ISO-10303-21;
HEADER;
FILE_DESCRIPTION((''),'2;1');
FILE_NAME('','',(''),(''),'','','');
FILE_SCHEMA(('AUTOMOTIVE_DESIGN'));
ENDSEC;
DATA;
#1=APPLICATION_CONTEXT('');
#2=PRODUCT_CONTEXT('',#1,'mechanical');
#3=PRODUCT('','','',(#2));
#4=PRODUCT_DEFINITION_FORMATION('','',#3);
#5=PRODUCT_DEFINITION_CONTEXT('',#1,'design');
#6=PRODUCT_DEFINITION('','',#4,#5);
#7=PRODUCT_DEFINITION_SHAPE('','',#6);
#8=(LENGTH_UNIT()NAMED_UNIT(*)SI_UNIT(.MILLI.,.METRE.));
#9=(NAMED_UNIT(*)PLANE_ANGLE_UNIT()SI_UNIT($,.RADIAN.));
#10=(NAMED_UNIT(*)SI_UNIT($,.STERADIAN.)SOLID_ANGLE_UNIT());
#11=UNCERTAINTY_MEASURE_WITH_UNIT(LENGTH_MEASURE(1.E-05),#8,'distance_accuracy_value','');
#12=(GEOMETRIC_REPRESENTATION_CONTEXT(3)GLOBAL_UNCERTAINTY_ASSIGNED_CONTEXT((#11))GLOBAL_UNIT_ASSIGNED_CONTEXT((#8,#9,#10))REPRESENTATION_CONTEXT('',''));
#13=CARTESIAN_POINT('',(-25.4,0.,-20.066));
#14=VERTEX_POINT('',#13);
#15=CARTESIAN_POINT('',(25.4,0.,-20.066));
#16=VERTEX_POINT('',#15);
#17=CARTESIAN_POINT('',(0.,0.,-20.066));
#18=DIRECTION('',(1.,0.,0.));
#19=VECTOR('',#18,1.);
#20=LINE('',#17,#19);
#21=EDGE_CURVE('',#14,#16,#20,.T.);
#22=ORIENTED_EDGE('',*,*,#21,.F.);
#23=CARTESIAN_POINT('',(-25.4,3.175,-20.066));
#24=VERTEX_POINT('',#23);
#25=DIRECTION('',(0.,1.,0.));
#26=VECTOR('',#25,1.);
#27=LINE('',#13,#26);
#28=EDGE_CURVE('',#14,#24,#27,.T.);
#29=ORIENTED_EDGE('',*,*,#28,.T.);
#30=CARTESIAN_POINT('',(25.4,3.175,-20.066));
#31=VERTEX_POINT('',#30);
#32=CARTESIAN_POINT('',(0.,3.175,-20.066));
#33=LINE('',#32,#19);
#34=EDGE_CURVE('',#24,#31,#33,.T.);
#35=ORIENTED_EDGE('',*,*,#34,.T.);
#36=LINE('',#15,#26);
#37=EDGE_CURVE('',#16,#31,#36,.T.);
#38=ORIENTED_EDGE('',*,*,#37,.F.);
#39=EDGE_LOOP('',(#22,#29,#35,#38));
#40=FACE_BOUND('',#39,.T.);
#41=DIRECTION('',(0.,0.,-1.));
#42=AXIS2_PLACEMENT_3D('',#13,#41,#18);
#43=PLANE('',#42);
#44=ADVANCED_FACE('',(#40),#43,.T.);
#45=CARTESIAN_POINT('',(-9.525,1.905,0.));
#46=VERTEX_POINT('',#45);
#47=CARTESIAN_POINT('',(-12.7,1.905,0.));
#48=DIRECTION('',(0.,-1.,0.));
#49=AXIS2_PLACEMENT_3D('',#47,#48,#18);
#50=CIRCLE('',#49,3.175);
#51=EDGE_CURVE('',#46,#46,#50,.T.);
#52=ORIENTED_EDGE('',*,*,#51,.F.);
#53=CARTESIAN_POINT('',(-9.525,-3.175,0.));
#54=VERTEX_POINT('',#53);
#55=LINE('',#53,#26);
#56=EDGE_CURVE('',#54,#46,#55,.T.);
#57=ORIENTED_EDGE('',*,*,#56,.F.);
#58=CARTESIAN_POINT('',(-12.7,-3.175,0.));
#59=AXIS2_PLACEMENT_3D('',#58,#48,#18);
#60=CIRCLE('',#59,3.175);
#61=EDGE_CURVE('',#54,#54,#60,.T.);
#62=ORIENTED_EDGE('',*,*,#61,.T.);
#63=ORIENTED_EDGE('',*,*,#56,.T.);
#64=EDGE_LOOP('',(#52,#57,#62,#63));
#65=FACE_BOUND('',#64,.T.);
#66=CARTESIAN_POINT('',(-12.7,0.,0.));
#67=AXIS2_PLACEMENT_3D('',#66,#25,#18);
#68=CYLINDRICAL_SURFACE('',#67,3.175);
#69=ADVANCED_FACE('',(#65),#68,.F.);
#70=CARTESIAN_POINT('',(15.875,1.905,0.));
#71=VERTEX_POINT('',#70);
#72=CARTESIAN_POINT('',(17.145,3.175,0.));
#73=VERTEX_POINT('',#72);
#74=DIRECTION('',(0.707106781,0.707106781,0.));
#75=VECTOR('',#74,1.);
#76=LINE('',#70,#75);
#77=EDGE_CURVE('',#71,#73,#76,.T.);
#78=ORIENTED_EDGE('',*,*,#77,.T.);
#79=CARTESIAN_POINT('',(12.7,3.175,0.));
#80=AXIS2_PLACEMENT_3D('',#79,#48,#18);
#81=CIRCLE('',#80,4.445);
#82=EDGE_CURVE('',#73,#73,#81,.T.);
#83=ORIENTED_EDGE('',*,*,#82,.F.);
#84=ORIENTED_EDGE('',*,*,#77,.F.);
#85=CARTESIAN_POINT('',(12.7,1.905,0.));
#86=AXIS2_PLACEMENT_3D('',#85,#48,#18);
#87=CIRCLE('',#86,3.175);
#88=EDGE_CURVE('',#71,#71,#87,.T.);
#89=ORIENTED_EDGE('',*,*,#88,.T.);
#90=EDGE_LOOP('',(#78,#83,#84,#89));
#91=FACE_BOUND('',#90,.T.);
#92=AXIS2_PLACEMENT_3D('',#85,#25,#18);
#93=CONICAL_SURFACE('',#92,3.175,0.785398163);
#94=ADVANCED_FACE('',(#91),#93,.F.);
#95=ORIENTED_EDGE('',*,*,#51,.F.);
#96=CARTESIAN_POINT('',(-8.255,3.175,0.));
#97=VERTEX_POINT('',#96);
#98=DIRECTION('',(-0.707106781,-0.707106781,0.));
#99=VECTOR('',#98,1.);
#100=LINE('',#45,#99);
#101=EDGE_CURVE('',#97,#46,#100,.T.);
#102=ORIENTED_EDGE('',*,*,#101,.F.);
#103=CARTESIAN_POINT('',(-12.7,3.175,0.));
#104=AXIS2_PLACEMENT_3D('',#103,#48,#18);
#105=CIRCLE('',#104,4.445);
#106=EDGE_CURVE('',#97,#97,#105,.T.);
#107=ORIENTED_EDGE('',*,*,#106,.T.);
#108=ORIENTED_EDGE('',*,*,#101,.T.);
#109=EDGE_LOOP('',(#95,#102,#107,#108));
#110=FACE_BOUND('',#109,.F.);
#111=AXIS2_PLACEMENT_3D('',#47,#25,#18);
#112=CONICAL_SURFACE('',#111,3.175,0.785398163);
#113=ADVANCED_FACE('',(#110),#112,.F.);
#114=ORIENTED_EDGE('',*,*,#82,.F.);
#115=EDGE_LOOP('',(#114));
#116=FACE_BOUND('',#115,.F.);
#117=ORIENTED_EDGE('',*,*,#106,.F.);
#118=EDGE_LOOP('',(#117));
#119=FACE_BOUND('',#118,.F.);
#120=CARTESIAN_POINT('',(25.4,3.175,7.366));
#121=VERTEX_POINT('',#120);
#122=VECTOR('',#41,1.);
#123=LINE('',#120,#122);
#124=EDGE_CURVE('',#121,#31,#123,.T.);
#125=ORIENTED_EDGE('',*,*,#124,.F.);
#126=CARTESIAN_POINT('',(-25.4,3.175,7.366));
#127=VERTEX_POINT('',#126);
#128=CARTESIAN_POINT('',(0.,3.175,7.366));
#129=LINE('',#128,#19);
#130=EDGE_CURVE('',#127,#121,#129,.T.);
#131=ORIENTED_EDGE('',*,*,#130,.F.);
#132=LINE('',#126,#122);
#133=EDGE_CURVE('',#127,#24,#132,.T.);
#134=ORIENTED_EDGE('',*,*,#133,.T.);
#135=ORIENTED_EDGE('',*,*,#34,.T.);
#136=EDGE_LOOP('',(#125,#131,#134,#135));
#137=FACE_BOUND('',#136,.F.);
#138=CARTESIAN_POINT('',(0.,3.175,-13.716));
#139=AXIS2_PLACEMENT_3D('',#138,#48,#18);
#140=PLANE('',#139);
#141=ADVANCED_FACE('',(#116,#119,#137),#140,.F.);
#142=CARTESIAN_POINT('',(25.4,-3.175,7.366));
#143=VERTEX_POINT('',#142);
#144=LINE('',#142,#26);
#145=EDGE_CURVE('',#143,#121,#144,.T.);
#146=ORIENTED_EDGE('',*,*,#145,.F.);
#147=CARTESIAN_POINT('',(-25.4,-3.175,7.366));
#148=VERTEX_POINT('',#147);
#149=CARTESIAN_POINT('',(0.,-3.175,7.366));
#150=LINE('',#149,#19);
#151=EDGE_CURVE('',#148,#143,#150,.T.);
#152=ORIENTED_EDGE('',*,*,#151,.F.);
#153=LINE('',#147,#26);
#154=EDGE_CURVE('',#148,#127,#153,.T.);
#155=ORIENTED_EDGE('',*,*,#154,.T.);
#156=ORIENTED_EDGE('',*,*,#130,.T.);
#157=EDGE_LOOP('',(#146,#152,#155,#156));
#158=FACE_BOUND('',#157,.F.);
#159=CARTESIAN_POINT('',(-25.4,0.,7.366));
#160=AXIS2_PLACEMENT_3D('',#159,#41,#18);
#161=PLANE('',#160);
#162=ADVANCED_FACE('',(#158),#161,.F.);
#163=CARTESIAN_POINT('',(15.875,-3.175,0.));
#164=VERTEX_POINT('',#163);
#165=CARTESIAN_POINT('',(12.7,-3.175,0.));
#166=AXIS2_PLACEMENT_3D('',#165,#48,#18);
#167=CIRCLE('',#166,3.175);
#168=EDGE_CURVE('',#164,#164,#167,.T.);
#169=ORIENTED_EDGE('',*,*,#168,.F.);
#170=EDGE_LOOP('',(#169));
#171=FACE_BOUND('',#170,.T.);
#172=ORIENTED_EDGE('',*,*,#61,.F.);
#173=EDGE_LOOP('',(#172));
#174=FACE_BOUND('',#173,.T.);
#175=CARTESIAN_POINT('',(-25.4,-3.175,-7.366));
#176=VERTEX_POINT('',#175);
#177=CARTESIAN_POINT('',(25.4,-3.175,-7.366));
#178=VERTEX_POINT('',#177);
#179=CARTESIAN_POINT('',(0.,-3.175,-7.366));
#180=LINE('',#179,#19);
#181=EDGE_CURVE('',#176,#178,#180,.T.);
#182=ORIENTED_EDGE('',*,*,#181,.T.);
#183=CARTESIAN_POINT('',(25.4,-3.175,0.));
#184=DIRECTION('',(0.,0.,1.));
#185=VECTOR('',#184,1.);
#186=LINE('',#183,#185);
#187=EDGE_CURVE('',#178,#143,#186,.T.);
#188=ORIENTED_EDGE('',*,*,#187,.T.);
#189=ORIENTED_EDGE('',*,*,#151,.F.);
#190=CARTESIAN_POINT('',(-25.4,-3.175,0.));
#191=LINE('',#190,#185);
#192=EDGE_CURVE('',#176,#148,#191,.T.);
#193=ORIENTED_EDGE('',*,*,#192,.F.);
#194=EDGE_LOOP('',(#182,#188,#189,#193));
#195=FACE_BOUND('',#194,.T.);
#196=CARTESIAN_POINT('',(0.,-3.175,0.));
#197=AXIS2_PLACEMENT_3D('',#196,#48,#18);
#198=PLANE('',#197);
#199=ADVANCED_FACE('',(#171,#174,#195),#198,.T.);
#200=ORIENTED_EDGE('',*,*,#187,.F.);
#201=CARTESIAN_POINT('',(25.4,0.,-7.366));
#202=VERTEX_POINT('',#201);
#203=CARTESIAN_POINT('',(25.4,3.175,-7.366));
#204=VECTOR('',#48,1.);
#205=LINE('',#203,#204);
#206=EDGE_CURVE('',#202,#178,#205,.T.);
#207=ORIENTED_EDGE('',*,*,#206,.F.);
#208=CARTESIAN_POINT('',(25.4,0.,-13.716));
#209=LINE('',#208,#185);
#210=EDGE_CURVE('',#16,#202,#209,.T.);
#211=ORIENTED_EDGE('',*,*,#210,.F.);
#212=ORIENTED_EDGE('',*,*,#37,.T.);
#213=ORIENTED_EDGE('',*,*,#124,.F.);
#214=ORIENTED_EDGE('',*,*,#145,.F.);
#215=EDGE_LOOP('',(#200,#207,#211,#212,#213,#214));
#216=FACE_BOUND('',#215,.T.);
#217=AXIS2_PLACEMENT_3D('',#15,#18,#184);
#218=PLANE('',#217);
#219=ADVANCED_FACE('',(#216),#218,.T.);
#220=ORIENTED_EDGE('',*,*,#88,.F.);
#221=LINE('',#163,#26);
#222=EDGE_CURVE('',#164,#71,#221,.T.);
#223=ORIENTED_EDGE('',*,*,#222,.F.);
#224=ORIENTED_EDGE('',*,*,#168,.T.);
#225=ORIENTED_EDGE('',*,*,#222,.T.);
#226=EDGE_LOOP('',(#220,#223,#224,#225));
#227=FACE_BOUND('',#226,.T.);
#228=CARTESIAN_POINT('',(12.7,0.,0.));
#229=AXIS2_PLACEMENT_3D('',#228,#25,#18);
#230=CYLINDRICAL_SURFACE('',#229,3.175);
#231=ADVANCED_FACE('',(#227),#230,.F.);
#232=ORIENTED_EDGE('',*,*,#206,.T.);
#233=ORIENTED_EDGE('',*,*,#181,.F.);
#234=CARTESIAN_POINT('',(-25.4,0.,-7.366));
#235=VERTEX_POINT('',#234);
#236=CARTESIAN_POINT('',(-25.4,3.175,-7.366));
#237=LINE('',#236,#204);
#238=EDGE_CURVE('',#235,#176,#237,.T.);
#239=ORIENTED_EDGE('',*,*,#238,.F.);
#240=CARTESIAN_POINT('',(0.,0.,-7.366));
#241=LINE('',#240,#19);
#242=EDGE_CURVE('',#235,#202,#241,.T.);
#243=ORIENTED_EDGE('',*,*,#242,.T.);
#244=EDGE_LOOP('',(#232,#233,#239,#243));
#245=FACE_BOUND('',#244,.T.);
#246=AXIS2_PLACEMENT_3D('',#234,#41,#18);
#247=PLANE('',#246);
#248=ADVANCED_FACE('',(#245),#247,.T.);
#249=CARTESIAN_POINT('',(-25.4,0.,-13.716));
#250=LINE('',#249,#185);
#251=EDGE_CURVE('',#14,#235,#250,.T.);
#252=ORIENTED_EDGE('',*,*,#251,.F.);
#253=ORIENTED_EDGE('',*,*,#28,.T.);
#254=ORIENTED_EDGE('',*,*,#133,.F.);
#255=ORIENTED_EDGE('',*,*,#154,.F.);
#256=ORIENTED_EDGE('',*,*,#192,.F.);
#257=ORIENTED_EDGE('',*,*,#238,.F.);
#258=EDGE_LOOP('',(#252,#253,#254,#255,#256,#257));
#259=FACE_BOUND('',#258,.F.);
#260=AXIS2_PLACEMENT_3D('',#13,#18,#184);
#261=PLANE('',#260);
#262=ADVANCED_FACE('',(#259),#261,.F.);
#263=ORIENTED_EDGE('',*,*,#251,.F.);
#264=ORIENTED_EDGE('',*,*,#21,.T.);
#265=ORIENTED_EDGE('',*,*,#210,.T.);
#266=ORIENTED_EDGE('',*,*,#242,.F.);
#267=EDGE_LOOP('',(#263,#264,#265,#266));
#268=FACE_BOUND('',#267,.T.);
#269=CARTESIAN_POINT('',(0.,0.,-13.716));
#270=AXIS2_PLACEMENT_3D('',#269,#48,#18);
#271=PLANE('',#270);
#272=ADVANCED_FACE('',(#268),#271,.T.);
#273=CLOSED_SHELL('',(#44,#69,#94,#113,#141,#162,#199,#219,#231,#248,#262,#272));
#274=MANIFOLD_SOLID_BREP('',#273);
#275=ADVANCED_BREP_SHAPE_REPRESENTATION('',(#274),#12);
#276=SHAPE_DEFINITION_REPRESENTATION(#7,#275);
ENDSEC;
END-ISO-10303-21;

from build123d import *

# Parameters (mm, degrees)
F0_W     = 50.8
F0_H     = 14.732
F0_R     = 3.175
F1_DEPTH = 3.175
F0_H_2   = 12.7
F2_DEPTH = 3.175
F3_SIZE2 = 1.27
F3_SIZE  = 1.27
F4_SIZE2 = 1.27
F4_SIZE  = 1.27


with BuildPart() as f1:
    # F0 (on Front) → F1 (new body, symmetric)
    with BuildSketch(Plane.XZ):
        Rectangle(F0_W, F0_H)
        with Locations((-12.7, 0)):
            Circle(F0_R, mode=Mode.SUBTRACT)
        with Locations((12.7, 0)):
            Circle(F0_R, mode=Mode.SUBTRACT)
    extrude(amount=F1_DEPTH, both=True)

    # F0 (on Front) → F2 (join)
    with BuildSketch(Plane.XZ):
        with Locations((0, -13.716)):
            Rectangle(F0_W, F0_H_2)
    extrude(amount=-F2_DEPTH)

    # F3
    f3_edges = [f1.edges().sort_by_distance(p)[0] for p in [
        (9.525, 3.175, 0),
    ]]
    chamfer(f3_edges, length=F3_SIZE, length2=F3_SIZE2)

    # F4
    f4_edges = [f1.edges().sort_by_distance(p)[0] for p in [
        (-15.875, 3.175, 0),
    ]]
    chamfer(f4_edges, length=F4_SIZE, length2=F4_SIZE2)


solid = f1.part
